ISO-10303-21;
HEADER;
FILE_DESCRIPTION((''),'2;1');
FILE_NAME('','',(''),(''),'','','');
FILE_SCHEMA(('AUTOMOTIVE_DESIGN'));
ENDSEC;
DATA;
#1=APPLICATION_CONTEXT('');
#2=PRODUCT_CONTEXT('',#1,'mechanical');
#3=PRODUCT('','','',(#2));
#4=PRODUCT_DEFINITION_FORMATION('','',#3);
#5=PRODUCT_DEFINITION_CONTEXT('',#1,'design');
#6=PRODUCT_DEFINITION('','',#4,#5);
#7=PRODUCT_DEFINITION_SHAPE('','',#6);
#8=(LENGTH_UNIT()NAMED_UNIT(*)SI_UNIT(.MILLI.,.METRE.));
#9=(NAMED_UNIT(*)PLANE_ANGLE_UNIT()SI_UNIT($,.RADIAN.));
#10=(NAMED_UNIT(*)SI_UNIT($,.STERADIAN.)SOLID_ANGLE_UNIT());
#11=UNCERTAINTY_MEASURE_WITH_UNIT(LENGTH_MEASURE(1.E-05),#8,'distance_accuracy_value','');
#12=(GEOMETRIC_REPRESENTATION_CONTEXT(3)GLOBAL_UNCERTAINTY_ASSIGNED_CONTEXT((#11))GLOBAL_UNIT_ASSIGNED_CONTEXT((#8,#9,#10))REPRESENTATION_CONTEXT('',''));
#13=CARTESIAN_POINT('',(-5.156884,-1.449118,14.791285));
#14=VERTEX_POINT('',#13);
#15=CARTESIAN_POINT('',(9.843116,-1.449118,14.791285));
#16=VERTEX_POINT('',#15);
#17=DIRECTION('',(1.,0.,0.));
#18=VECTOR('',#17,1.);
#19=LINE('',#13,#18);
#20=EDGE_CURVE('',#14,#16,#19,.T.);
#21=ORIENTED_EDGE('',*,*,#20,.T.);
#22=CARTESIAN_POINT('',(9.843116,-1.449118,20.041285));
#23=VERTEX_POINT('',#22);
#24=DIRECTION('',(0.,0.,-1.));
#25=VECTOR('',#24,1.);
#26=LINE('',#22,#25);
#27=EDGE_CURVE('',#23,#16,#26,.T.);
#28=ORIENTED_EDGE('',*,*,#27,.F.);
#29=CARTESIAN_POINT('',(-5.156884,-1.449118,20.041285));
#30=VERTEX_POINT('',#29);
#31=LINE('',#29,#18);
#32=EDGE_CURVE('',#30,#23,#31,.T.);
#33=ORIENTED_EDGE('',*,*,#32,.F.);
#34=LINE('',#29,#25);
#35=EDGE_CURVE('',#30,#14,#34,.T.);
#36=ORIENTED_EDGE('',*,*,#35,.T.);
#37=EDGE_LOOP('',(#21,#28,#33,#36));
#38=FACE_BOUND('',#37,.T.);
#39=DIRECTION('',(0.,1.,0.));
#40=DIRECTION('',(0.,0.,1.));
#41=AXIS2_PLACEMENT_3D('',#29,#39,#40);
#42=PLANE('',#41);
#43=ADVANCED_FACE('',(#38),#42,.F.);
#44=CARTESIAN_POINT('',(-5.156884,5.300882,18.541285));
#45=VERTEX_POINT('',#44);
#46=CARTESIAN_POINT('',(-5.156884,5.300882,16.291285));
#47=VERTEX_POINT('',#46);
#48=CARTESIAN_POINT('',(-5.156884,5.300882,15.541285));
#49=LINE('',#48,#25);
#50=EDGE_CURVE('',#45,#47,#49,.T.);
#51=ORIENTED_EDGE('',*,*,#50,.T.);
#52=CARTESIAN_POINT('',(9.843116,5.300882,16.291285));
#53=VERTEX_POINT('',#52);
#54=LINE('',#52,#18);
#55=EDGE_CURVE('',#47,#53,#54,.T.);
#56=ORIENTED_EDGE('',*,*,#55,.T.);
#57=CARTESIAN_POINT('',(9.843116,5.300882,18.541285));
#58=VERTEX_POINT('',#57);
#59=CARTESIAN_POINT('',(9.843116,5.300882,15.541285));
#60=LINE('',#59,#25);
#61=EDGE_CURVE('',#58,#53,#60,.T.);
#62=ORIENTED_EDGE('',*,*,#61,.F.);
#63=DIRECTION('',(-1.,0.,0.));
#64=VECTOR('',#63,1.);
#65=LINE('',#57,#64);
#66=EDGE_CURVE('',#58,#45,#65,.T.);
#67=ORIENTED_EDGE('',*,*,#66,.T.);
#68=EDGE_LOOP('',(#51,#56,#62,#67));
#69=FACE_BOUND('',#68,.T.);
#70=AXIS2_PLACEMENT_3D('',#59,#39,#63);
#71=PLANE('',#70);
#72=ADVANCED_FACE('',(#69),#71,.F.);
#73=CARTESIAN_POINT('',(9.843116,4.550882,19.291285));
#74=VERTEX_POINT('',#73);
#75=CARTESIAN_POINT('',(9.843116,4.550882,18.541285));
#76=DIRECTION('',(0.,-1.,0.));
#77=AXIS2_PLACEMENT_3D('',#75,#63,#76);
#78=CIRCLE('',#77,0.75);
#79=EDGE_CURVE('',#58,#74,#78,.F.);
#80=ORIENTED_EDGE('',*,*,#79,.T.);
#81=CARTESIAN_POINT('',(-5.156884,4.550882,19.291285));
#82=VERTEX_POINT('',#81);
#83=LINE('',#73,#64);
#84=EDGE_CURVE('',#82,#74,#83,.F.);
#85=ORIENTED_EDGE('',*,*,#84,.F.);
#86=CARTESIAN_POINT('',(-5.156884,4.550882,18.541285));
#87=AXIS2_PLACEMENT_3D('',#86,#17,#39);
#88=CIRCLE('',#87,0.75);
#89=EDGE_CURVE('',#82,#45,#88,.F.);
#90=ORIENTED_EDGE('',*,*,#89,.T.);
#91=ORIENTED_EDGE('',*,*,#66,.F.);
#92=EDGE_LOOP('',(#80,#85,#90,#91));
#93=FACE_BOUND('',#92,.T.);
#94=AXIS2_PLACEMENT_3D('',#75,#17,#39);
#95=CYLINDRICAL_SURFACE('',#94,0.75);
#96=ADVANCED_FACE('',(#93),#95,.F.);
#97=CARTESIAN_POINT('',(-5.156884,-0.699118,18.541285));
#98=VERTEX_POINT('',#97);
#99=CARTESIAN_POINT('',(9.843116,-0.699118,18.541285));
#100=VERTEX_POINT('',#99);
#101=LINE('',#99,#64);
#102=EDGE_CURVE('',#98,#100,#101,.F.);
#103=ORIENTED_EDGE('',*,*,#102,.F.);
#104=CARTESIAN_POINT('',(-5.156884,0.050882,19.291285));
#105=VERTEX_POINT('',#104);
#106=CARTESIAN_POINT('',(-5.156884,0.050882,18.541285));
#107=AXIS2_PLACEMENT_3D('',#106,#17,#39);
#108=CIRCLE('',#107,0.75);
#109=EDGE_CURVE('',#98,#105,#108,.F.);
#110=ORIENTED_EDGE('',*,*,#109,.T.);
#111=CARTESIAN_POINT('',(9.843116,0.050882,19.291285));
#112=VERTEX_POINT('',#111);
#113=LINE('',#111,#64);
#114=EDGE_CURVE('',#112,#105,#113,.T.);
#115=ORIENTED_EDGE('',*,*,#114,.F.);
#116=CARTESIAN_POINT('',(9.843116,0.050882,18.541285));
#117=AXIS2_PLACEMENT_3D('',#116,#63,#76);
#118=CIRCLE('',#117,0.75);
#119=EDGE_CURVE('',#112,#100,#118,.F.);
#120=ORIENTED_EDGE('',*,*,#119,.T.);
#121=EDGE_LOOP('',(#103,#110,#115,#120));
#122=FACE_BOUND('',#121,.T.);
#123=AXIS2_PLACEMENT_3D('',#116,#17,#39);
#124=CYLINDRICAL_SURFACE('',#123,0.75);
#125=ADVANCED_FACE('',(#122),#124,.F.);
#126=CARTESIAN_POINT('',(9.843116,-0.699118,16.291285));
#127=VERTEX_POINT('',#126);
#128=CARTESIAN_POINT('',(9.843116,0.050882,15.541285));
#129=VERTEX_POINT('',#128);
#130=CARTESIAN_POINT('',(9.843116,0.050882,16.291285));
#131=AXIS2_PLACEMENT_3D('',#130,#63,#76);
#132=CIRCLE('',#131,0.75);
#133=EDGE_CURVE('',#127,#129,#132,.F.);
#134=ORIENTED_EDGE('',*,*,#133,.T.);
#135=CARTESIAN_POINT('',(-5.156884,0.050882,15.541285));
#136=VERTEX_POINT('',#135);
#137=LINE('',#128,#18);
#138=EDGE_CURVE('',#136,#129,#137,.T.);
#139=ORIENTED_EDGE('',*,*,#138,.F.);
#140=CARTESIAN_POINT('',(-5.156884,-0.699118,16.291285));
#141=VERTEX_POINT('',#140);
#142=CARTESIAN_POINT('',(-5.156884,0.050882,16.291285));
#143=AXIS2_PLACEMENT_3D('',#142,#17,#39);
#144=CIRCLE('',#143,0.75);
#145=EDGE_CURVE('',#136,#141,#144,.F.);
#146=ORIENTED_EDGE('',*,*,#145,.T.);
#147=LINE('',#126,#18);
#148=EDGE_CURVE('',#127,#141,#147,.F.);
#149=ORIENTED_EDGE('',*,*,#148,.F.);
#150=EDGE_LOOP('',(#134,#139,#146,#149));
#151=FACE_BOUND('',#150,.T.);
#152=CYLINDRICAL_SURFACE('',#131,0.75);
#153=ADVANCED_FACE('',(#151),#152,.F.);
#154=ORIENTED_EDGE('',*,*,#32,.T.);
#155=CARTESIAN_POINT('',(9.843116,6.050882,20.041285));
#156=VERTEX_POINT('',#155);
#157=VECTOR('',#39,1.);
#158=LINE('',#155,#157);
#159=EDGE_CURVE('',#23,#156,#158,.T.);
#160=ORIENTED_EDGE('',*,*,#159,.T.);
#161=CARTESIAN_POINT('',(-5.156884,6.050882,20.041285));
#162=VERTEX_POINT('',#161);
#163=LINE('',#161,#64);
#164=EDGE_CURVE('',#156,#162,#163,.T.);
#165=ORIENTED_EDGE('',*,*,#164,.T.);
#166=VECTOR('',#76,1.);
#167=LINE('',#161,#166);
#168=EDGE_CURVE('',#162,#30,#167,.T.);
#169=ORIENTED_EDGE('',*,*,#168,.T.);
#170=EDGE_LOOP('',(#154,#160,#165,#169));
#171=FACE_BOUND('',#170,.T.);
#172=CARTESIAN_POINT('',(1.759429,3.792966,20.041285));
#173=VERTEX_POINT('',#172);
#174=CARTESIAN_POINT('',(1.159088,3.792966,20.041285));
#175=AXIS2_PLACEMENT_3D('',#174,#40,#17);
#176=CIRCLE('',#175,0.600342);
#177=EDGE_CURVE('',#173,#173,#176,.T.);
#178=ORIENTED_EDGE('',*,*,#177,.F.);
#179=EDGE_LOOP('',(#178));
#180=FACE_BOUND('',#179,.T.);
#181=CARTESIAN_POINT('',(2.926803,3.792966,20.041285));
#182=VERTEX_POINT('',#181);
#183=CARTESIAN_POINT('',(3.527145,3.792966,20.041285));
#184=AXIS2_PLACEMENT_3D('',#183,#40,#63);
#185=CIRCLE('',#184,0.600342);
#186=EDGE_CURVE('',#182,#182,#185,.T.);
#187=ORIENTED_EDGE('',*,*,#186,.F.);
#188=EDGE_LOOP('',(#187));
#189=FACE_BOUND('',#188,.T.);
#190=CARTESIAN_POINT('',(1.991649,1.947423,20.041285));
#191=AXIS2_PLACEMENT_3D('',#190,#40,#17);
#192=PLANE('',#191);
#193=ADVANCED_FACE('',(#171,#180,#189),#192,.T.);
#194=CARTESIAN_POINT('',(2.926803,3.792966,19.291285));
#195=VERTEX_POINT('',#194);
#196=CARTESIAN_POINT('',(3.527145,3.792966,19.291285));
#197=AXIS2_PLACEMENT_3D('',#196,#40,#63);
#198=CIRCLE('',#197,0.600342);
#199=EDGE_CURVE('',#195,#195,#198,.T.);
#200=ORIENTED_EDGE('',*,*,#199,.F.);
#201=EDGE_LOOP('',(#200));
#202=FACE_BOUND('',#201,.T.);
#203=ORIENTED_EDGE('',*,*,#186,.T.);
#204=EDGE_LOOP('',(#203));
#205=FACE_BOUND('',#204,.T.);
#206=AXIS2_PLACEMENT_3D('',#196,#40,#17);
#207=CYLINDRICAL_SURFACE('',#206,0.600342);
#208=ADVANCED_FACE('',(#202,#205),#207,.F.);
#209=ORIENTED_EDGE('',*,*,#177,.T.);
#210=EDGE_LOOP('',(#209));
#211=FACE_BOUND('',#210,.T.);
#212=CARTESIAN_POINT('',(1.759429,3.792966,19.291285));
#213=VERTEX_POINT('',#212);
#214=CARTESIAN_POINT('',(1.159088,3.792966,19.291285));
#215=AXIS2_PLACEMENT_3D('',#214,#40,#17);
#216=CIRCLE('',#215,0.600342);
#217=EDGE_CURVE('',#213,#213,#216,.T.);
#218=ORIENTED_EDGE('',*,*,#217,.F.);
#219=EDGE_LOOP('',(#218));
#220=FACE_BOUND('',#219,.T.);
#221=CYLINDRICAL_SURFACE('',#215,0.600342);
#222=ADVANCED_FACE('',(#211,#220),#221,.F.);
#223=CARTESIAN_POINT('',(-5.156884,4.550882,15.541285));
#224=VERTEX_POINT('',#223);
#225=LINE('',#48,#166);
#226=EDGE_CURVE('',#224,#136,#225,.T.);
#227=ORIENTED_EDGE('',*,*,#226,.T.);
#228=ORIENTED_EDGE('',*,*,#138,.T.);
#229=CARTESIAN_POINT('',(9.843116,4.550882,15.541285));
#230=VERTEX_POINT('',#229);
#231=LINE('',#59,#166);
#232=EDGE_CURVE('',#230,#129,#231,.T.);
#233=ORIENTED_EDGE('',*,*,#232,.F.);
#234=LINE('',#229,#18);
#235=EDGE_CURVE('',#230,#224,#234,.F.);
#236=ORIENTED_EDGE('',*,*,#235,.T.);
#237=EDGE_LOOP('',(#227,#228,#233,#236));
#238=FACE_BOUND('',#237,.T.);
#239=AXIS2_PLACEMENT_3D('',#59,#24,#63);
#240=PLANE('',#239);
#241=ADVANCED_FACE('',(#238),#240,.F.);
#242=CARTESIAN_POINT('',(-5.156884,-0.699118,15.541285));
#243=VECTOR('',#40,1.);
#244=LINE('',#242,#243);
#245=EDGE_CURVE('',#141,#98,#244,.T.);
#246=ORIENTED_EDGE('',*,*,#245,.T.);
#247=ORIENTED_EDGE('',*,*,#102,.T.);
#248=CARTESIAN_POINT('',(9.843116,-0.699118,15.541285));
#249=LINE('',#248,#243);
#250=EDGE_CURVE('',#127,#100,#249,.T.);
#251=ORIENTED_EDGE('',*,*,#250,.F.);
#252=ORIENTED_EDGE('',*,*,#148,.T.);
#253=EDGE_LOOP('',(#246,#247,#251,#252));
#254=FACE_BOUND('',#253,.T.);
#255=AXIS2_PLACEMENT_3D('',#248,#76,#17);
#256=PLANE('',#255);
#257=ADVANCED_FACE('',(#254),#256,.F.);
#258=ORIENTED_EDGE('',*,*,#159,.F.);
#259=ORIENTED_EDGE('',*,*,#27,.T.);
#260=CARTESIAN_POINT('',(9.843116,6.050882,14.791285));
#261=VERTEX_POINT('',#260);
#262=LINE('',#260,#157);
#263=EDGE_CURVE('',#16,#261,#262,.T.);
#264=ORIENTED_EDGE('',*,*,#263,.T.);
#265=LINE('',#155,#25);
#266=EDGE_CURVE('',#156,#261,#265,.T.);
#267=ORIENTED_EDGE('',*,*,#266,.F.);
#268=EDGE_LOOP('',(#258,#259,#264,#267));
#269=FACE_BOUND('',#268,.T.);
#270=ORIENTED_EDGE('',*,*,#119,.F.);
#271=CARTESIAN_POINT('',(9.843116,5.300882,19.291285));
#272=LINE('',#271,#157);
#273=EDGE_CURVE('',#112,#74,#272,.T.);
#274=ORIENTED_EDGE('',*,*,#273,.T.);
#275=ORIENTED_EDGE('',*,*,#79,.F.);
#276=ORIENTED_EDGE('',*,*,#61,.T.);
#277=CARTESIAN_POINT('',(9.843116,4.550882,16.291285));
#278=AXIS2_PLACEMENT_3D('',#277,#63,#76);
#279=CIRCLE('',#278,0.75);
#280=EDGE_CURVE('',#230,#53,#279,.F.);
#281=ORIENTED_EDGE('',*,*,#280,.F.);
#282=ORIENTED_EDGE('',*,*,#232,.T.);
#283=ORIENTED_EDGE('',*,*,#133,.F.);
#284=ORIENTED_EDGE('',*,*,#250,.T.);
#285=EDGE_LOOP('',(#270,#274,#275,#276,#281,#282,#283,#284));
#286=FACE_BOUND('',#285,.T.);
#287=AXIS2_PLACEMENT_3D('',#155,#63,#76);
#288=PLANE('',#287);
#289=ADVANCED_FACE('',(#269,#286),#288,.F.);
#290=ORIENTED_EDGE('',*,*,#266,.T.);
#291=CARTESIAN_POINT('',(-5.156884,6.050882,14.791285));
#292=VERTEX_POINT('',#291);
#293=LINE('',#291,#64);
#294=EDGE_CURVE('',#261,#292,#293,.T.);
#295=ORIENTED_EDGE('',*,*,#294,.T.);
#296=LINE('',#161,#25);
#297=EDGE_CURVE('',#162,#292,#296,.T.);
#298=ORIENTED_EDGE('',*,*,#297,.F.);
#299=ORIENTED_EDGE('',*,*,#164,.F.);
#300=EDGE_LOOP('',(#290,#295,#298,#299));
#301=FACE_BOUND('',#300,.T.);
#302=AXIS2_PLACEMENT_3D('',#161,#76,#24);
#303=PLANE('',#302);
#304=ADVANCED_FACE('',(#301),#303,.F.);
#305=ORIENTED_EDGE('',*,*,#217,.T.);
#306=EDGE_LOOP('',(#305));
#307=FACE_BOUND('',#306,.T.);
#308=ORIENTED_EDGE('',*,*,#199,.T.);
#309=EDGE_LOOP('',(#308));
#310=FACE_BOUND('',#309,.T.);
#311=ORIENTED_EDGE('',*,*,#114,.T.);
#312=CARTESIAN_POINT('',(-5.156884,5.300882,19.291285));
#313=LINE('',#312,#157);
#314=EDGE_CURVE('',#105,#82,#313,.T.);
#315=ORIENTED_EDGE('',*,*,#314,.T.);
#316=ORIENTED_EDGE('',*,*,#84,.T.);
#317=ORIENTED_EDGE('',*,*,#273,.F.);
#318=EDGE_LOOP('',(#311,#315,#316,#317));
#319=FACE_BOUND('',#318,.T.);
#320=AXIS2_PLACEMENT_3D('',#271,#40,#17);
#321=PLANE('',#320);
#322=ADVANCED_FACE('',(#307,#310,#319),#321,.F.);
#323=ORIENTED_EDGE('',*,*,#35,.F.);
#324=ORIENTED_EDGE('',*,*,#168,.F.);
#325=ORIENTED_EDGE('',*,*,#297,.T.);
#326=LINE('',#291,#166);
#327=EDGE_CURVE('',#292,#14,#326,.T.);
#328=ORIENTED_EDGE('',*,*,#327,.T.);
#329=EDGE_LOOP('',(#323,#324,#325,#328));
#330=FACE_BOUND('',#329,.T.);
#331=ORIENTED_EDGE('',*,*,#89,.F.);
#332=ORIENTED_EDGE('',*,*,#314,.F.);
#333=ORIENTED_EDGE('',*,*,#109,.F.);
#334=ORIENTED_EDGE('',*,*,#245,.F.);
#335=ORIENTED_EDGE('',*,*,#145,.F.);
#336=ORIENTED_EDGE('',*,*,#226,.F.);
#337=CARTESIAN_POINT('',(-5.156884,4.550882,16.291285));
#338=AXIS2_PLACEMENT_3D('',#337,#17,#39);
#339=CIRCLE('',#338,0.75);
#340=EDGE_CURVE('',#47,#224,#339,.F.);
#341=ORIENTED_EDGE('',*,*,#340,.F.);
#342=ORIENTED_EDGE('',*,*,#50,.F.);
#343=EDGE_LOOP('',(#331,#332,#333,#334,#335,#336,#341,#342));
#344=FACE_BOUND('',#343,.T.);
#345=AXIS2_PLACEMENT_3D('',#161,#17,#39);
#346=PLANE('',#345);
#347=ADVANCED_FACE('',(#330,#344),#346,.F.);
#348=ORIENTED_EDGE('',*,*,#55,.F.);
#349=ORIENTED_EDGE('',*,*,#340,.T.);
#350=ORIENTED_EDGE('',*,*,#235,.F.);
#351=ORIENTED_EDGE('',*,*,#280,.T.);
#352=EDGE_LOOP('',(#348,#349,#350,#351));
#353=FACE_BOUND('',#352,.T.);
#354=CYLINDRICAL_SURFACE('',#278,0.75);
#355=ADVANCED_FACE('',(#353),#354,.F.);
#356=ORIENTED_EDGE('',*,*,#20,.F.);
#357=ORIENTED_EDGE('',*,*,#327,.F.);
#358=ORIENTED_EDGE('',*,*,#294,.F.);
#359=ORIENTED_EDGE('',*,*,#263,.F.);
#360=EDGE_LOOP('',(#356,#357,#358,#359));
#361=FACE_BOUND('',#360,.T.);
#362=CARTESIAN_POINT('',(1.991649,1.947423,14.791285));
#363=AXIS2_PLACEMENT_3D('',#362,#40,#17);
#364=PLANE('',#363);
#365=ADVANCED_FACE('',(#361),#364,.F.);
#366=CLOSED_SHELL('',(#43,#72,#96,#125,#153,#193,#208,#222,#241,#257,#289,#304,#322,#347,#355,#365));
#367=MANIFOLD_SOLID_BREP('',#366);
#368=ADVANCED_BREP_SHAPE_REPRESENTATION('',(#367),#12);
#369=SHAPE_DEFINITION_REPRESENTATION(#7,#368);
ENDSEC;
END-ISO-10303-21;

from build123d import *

# Parameters (mm, degrees)
SKETCH3_W           = 100
SKETCH3_H           = 50
BOSS_EXTRUDE1_DEPTH = 35
SKETCH4_W           = 25
SKETCH4_H           = 40
CUT_EXTRUDE2_DEPTH  = 100
SKETCH5_R           = 4.002277078
CUT_EXTRUDE4_DEPTH  = 5
FILLET2_R           = 5
FILLET3_R           = 5
FILLET4_R           = 5
FILLET5_R           = 5
SCALE1_SCALE        = 0.15


with BuildPart() as part:
    # Sketch3 → Boss-Extrude1 (new body)
    with BuildSketch(Plane.XY):
        with Locations((2.343116294, 2.356397797)):
            Rectangle(SKETCH3_W, SKETCH3_H)
    extrude(amount=BOSS_EXTRUDE1_DEPTH)

    # Sketch4 → Cut-Extrude2 (cut)
    with BuildSketch(Plane.ZY.offset(47.656883706)):
        with Locations((17.5, 2.356397797)):
            Rectangle(SKETCH4_W, SKETCH4_H)
    extrude(amount=-CUT_EXTRUDE2_DEPTH, mode=Mode.SUBTRACT)

    # Sketch5 → Cut-Extrude4 (cut)
    with BuildSketch(Plane.XY.offset(35)):
        with Locations((-5.550407573, 12.303618629)):
            Circle(SKETCH5_R)
        with Locations(Location((10.236640162, 12.303618629, 0), (0, 0, 180))):
            Circle(SKETCH5_R)
    extrude(amount=-CUT_EXTRUDE4_DEPTH, mode=Mode.SUBTRACT)

    # Fillet2
    fillet2_edges = [part.edges().sort_by_distance(p)[0] for p in [
        (2.343116294, 22.356397797, 5),
    ]]
    fillet(fillet2_edges, radius=FILLET2_R)

    # Fillet3
    fillet3_edges = [part.edges().sort_by_distance(p)[0] for p in [
        (2.343116294, 22.356397797, 30),
    ]]
    fillet(fillet3_edges, radius=FILLET3_R)

    # Fillet4
    fillet4_edges = [part.edges().sort_by_distance(p)[0] for p in [
        (2.343116294, -17.643602203, 5),
    ]]
    fillet(fillet4_edges, radius=FILLET4_R)

    # Fillet5
    fillet5_edges = [part.edges().sort_by_distance(p)[0] for p in [
        (2.343116294, -17.643602203, 30),
    ]]
    fillet(fillet5_edges, radius=FILLET5_R)


with BuildPart() as part_1:
    # Scale1: scaled about (2.343116294, 2.291085551, 17.401511818)
    add(part.part.scale(SCALE1_SCALE).moved(Location((1.99164885, 1.947422718, 14.791285045))))


solid = part_1.part
